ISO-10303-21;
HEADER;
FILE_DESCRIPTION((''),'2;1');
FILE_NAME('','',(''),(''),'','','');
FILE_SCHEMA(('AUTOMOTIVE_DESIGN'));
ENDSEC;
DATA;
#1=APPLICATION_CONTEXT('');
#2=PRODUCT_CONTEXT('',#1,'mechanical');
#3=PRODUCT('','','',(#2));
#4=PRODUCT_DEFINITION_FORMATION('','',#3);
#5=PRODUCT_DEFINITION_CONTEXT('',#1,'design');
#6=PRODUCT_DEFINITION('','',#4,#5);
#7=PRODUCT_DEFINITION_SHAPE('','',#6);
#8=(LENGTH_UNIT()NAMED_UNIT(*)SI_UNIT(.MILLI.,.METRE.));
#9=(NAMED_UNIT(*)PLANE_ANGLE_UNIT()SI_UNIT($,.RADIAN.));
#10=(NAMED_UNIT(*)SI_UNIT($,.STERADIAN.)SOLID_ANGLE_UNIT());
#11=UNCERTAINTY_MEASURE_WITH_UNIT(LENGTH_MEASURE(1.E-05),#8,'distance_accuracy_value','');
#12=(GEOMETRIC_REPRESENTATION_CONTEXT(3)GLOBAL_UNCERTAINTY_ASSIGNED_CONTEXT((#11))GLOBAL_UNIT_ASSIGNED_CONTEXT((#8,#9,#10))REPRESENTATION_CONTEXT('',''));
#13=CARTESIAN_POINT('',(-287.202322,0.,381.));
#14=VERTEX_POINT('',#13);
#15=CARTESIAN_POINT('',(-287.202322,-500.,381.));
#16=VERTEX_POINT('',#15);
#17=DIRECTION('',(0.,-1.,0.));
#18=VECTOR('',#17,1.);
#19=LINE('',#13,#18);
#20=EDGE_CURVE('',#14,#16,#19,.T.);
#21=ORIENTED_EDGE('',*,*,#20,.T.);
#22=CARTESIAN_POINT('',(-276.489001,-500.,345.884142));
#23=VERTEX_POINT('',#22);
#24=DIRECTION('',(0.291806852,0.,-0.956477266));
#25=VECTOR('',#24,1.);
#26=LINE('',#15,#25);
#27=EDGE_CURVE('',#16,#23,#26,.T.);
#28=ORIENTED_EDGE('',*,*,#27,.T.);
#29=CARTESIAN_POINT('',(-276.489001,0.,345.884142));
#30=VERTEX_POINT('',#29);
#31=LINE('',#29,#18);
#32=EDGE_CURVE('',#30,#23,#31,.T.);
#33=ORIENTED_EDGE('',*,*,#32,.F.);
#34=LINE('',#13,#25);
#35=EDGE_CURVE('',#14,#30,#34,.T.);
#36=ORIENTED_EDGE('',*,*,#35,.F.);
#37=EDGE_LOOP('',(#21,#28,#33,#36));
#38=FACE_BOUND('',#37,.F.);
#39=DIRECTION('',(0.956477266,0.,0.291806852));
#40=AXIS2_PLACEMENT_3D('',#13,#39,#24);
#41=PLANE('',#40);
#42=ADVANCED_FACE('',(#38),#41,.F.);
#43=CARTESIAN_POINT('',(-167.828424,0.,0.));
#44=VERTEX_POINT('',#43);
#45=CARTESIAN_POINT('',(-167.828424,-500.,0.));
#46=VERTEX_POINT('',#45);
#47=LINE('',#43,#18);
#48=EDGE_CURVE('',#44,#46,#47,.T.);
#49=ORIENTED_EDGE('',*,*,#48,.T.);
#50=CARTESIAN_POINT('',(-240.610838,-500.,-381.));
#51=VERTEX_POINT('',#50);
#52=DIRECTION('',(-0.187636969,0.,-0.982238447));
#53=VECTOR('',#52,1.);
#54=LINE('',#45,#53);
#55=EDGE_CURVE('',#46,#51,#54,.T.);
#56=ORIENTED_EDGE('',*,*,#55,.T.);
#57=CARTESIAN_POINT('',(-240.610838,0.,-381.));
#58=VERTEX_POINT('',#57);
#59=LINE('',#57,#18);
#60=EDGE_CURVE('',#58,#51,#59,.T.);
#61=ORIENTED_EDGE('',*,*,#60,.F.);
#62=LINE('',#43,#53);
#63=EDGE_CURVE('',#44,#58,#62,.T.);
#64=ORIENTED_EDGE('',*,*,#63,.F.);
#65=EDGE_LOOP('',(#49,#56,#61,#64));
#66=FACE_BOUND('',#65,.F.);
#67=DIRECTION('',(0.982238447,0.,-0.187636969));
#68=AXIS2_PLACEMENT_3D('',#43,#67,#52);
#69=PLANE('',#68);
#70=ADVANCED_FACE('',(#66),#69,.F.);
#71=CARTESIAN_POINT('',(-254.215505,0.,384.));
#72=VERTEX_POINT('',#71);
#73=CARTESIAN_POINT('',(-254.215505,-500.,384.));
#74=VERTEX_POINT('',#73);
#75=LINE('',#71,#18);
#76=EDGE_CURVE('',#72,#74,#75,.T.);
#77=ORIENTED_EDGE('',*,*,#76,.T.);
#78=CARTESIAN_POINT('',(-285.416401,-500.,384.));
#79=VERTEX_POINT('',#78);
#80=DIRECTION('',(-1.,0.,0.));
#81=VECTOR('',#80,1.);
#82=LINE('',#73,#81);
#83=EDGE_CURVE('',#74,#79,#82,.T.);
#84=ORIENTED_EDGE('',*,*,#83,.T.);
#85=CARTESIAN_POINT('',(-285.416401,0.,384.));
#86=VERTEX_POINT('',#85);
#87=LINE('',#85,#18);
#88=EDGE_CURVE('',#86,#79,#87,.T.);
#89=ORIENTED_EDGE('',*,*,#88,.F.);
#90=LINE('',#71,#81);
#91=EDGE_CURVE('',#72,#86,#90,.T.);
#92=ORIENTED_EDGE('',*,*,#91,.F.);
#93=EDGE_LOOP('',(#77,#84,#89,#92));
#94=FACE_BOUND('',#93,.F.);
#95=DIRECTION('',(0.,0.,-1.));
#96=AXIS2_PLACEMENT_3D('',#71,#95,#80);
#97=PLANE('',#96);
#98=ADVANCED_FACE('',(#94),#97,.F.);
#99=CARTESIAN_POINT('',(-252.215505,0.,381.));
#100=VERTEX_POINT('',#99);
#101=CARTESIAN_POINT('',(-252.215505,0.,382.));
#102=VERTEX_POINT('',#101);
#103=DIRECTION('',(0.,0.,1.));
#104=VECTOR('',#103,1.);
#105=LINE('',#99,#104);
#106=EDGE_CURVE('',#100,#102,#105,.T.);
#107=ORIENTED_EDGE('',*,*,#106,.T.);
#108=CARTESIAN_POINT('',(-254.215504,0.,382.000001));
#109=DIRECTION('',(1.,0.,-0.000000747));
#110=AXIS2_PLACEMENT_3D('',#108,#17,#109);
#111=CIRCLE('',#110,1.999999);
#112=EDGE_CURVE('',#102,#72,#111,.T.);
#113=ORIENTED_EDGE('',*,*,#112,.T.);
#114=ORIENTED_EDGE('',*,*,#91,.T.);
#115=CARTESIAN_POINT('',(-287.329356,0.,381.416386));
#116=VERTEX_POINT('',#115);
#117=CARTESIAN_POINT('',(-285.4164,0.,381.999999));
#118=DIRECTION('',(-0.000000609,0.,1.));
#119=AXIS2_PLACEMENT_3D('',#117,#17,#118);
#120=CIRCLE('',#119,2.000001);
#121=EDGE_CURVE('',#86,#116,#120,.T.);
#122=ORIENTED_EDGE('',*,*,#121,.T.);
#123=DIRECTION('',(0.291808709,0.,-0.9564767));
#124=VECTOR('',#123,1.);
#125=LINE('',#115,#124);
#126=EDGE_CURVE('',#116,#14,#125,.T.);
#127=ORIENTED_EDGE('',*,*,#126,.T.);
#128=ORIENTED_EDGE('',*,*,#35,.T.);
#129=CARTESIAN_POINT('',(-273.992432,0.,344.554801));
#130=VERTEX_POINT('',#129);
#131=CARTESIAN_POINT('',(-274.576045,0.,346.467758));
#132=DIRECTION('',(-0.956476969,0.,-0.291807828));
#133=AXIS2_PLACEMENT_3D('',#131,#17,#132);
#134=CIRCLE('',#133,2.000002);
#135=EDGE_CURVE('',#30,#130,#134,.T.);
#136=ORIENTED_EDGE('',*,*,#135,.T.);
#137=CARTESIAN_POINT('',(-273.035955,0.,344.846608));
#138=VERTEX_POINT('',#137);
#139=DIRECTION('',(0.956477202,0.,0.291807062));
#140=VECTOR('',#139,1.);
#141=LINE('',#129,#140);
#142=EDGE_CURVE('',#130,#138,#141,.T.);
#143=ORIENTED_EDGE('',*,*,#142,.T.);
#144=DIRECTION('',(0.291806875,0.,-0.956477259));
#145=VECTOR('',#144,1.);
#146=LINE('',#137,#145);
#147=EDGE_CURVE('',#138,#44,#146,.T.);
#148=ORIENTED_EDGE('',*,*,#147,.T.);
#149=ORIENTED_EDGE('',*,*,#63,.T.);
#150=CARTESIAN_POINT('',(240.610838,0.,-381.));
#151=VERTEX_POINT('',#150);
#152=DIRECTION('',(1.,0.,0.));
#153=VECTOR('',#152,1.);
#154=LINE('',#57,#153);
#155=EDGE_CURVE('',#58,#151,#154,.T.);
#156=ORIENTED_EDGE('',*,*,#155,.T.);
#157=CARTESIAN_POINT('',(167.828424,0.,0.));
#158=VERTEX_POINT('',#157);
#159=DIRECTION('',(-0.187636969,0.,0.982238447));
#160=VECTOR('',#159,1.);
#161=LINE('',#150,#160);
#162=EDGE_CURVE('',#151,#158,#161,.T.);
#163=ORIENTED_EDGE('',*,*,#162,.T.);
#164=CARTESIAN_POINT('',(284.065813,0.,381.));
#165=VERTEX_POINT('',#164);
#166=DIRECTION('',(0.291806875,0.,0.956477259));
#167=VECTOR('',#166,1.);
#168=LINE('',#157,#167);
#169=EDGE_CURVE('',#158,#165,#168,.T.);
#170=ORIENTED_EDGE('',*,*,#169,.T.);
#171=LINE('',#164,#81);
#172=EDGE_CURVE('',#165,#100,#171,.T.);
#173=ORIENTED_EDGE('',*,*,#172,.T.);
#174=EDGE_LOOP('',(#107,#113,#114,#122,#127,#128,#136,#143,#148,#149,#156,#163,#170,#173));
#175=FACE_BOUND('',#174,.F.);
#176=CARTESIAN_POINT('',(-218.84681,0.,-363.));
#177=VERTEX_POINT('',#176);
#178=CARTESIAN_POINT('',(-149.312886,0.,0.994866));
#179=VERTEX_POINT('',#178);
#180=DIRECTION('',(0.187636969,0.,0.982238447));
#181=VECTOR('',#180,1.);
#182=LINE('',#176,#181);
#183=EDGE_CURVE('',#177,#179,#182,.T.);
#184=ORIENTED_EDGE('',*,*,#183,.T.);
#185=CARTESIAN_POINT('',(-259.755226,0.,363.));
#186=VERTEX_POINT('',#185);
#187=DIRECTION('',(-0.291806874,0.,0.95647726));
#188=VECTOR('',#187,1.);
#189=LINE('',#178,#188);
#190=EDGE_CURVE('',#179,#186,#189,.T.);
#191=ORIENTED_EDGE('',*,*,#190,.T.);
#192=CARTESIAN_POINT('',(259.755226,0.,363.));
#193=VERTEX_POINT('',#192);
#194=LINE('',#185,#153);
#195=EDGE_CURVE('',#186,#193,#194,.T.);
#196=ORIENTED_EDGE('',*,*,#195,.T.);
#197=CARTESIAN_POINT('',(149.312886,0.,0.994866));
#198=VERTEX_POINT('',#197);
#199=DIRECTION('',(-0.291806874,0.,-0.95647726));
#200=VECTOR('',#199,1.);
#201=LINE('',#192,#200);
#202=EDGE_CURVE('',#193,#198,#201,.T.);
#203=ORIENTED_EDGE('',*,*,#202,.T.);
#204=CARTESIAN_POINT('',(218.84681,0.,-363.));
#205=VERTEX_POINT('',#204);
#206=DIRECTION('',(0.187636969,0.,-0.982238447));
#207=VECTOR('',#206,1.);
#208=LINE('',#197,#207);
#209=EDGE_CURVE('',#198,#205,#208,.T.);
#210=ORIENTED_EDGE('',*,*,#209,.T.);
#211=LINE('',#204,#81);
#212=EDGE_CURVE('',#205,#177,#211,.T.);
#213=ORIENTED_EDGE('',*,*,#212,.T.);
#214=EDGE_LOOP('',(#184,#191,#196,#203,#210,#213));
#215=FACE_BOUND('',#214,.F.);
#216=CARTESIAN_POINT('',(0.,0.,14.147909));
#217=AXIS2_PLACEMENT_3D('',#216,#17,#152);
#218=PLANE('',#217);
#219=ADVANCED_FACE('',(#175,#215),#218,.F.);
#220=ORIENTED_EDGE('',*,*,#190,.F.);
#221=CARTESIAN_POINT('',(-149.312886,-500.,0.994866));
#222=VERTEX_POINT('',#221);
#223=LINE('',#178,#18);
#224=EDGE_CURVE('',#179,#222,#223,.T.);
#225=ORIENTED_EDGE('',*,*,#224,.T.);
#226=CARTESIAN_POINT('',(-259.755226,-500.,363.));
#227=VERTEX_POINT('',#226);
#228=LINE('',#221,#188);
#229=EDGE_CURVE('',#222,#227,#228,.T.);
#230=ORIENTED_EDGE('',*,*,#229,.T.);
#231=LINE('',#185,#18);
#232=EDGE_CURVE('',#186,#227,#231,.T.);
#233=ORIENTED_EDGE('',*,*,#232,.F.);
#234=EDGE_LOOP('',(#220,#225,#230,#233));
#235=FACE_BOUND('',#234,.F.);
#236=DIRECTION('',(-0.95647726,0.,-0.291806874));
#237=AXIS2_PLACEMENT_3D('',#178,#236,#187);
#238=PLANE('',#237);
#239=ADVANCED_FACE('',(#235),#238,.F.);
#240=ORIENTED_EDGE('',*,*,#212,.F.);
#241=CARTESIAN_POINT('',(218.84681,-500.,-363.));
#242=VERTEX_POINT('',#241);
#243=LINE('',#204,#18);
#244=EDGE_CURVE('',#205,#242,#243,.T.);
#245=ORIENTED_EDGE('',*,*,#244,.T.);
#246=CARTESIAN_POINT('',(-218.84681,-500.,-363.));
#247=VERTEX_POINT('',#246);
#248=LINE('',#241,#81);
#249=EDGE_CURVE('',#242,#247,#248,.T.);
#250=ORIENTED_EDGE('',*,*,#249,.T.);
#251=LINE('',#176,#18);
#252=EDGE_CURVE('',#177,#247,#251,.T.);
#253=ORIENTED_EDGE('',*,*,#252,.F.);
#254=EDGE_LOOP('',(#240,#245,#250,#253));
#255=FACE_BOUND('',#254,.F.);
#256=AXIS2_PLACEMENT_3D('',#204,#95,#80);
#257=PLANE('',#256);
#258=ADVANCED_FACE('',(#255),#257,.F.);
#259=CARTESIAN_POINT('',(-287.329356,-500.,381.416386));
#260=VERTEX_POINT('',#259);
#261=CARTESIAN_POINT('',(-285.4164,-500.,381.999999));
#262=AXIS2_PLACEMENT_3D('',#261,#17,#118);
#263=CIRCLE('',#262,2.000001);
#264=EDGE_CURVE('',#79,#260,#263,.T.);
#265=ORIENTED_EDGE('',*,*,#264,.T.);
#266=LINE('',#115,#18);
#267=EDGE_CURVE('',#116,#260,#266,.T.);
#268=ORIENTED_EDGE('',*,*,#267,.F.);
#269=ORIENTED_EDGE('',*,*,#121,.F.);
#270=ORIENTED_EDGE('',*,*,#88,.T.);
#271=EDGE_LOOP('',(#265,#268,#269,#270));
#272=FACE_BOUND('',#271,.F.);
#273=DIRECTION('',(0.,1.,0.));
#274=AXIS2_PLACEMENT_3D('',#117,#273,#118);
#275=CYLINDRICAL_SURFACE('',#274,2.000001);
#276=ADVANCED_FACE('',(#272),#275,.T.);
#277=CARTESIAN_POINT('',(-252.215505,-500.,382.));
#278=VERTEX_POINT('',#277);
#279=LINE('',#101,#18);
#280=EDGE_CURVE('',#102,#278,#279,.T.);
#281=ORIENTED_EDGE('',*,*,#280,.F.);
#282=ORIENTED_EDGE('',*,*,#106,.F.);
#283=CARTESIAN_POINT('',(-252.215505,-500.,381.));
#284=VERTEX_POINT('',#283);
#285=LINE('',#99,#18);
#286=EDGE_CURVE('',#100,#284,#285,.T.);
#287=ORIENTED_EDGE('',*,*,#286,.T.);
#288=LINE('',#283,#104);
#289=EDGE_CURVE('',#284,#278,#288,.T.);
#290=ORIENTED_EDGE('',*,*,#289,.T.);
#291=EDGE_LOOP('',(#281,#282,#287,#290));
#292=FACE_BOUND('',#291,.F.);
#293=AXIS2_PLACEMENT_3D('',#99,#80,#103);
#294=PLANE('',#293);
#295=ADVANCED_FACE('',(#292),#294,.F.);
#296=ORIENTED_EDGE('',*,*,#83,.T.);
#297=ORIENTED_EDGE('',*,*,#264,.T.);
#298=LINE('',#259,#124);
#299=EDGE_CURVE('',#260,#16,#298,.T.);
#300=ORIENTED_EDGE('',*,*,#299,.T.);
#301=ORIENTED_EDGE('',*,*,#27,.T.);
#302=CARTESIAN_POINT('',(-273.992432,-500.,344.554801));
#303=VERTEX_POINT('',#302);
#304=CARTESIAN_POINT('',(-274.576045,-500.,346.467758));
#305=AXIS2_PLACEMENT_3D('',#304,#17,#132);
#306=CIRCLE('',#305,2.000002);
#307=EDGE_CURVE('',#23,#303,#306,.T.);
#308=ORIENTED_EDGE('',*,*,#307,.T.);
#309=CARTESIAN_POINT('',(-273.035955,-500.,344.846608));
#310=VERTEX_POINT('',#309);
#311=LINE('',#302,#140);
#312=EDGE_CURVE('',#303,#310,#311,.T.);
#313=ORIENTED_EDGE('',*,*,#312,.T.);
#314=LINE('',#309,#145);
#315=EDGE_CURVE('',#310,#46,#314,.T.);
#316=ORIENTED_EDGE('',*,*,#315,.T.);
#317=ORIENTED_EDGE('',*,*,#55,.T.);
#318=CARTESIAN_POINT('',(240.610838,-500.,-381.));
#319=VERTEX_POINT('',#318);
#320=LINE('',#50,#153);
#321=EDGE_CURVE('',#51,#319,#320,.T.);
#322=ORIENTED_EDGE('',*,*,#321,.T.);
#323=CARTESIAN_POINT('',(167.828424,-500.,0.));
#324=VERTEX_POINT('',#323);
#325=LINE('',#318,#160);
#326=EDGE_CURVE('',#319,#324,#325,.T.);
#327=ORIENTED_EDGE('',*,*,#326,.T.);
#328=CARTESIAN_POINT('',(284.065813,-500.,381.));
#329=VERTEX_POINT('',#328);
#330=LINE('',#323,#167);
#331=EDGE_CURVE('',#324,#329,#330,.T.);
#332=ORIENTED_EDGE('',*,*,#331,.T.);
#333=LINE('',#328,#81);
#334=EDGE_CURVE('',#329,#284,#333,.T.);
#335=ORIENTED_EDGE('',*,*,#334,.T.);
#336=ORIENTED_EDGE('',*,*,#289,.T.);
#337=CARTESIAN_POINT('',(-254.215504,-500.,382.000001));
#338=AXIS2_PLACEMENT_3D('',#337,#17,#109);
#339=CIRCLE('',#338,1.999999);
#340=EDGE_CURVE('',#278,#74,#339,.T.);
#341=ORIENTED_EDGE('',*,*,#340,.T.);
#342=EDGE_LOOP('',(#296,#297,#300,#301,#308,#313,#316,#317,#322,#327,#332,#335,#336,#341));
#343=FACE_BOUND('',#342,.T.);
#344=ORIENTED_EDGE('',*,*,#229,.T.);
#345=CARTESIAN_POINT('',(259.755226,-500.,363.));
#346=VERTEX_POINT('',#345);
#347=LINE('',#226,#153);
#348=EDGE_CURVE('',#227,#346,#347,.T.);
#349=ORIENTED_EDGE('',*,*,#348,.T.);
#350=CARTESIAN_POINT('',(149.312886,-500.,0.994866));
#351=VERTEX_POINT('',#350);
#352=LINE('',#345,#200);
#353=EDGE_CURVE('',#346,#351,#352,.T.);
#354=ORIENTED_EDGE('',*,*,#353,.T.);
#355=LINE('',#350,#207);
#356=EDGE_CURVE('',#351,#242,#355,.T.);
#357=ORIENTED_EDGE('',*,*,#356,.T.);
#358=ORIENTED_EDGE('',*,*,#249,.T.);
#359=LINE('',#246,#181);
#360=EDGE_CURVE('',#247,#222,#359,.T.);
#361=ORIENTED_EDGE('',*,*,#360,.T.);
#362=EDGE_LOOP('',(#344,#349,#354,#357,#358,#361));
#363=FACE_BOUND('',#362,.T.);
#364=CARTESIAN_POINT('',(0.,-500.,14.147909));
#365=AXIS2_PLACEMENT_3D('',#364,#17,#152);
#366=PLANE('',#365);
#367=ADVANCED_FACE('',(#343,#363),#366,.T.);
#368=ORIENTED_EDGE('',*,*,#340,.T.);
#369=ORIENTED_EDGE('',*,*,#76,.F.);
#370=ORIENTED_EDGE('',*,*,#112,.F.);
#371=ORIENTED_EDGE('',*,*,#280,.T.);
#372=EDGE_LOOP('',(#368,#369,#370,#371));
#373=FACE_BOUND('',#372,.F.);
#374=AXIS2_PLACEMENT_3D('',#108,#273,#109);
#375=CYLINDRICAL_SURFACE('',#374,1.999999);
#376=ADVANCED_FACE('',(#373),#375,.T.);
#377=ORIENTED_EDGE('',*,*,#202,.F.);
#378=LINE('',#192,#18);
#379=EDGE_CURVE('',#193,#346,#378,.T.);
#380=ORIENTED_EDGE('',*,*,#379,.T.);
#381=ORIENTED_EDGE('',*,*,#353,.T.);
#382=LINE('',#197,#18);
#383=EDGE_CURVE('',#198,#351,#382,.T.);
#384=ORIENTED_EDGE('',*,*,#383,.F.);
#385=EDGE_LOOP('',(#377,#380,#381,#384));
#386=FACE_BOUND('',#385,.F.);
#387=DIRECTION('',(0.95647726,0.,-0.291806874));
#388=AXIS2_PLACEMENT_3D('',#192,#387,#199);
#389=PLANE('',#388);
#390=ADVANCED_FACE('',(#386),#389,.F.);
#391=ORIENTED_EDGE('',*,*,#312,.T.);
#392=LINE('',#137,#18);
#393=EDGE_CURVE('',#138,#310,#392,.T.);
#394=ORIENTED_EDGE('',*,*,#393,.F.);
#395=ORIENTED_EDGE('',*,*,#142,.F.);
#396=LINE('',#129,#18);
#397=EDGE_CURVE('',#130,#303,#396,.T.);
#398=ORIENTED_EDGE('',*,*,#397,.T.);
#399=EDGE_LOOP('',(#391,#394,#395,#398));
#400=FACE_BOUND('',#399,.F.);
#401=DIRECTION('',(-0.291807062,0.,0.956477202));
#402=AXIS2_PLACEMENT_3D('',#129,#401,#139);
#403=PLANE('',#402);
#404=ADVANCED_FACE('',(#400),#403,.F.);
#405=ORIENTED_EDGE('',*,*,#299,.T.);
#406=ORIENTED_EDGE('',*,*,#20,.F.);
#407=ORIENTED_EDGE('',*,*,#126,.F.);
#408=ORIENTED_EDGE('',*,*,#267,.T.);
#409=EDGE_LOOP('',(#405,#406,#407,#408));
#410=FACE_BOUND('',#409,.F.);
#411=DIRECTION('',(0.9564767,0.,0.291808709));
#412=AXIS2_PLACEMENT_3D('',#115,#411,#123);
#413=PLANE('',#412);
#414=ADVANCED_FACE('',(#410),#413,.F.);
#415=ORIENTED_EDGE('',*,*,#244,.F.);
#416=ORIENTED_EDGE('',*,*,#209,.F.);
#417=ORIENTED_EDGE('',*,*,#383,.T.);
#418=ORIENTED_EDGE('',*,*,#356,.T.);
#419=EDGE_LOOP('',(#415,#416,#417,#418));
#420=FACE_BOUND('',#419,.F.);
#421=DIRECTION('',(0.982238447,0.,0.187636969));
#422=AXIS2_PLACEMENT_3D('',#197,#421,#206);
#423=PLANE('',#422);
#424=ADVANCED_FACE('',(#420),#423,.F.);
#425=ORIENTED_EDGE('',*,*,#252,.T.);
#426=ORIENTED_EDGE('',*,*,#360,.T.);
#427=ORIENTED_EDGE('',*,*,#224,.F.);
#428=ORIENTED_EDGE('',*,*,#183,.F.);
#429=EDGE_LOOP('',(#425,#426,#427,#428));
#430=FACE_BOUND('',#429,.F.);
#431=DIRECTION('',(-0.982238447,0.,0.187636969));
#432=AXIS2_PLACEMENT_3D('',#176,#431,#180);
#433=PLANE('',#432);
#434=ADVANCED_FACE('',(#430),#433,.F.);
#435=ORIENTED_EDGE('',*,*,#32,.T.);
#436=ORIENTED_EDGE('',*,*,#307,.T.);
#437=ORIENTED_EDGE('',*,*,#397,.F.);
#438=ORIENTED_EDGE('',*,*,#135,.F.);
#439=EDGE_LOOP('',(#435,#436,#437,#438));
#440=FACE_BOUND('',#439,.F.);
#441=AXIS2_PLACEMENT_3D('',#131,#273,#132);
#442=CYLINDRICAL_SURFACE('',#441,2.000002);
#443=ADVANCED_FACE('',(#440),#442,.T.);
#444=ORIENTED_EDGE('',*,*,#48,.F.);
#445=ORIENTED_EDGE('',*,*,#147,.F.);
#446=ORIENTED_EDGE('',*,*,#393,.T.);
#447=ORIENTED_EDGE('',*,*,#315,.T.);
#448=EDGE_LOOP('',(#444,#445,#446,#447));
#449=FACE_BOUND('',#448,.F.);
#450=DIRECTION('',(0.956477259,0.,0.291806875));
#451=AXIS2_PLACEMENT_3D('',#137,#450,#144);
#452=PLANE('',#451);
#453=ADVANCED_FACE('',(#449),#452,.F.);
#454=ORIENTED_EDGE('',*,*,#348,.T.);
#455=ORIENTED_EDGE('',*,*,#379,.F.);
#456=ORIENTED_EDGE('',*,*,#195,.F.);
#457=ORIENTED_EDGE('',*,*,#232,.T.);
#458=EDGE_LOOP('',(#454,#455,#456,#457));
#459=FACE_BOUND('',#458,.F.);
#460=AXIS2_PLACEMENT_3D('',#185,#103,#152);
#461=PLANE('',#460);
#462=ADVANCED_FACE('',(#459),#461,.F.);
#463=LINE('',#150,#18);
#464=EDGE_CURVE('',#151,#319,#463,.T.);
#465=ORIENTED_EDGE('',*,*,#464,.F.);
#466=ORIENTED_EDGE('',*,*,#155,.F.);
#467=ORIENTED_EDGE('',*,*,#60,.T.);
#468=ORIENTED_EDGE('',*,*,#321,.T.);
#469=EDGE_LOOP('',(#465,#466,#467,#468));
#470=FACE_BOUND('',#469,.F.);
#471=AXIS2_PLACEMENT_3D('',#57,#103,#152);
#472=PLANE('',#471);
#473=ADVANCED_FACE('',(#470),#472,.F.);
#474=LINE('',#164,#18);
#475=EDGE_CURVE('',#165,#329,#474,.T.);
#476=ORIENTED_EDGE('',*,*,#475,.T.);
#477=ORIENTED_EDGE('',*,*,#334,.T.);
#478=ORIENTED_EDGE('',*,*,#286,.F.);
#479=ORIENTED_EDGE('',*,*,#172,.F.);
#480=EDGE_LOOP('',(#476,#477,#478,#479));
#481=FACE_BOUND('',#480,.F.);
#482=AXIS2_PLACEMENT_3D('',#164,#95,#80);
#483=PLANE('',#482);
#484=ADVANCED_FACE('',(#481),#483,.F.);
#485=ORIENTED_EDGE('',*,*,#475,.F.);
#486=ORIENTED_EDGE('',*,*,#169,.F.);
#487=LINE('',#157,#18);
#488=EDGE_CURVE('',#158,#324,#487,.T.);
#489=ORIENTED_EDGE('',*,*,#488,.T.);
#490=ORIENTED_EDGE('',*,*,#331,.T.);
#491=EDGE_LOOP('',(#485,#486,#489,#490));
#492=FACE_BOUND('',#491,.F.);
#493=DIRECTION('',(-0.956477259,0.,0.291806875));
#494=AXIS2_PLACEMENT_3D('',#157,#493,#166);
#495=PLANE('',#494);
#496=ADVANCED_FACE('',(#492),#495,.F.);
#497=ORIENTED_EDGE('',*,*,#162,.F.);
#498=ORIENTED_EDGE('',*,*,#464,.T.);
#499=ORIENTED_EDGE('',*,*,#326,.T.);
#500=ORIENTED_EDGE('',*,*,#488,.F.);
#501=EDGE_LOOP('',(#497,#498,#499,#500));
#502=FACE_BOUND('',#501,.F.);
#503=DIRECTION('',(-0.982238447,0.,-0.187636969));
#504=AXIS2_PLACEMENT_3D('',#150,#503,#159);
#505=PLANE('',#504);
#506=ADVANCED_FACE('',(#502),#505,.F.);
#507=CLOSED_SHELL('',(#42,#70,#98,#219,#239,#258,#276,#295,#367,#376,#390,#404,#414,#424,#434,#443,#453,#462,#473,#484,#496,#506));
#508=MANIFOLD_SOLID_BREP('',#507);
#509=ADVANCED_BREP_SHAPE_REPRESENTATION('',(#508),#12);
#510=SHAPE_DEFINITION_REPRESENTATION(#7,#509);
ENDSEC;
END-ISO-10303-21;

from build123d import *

# Parameters (mm, degrees)
F1_DEPTH = 500


with BuildPart() as f1:
    # F0 (on Front) → F1 (new body)
    with BuildSketch(Plane.XZ):
        Polygon((-252.215505, 381), (-284.065813, 381), (-278.574283, 363), (-273.035955, 344.846608), (-167.828424, 0), (-240.610838, -381), (240.610838, -381), (167.828424, 0), (284.065813, 381), align=None)
        Polygon((-149.312886, 0.994866), (-259.755226, 363), (259.755226, 363), (149.312886, 0.994866), (218.84681, -363), (-218.84681, -363), align=None, mode=Mode.SUBTRACT)
        with BuildLine():
            Line((-287.202322, 381), (-284.065813, 381))
            Line((-284.065813, 381), (-252.215505, 381))
            Line((-252.215505, 381), (-252.215505, 382))
            ThreePointArc((-252.215505, 382), (-252.801291, 383.414214), (-254.215505, 384))
            Line((-254.215505, 384), (-285.416401, 384))
            ThreePointArc((-285.416401, 384), (-287.023763, 383.19012), (-287.329356, 381.416386))
            Line((-287.329356, 381.416386), (-287.202322, 381))
        make_face()
        with BuildLine():
            Line((-278.574283, 363), (-284.065813, 381))
            Line((-284.065813, 381), (-287.202322, 381))
            Line((-287.202322, 381), (-276.489001, 345.884142))
            ThreePointArc((-276.489001, 345.884142), (-275.516032, 344.702416), (-273.992432, 344.554801))
            Line((-273.992432, 344.554801), (-273.035955, 344.846608))
            Line((-273.035955, 344.846608), (-278.574283, 363))
        make_face()
    extrude(amount=F1_DEPTH)


solid = f1.part
